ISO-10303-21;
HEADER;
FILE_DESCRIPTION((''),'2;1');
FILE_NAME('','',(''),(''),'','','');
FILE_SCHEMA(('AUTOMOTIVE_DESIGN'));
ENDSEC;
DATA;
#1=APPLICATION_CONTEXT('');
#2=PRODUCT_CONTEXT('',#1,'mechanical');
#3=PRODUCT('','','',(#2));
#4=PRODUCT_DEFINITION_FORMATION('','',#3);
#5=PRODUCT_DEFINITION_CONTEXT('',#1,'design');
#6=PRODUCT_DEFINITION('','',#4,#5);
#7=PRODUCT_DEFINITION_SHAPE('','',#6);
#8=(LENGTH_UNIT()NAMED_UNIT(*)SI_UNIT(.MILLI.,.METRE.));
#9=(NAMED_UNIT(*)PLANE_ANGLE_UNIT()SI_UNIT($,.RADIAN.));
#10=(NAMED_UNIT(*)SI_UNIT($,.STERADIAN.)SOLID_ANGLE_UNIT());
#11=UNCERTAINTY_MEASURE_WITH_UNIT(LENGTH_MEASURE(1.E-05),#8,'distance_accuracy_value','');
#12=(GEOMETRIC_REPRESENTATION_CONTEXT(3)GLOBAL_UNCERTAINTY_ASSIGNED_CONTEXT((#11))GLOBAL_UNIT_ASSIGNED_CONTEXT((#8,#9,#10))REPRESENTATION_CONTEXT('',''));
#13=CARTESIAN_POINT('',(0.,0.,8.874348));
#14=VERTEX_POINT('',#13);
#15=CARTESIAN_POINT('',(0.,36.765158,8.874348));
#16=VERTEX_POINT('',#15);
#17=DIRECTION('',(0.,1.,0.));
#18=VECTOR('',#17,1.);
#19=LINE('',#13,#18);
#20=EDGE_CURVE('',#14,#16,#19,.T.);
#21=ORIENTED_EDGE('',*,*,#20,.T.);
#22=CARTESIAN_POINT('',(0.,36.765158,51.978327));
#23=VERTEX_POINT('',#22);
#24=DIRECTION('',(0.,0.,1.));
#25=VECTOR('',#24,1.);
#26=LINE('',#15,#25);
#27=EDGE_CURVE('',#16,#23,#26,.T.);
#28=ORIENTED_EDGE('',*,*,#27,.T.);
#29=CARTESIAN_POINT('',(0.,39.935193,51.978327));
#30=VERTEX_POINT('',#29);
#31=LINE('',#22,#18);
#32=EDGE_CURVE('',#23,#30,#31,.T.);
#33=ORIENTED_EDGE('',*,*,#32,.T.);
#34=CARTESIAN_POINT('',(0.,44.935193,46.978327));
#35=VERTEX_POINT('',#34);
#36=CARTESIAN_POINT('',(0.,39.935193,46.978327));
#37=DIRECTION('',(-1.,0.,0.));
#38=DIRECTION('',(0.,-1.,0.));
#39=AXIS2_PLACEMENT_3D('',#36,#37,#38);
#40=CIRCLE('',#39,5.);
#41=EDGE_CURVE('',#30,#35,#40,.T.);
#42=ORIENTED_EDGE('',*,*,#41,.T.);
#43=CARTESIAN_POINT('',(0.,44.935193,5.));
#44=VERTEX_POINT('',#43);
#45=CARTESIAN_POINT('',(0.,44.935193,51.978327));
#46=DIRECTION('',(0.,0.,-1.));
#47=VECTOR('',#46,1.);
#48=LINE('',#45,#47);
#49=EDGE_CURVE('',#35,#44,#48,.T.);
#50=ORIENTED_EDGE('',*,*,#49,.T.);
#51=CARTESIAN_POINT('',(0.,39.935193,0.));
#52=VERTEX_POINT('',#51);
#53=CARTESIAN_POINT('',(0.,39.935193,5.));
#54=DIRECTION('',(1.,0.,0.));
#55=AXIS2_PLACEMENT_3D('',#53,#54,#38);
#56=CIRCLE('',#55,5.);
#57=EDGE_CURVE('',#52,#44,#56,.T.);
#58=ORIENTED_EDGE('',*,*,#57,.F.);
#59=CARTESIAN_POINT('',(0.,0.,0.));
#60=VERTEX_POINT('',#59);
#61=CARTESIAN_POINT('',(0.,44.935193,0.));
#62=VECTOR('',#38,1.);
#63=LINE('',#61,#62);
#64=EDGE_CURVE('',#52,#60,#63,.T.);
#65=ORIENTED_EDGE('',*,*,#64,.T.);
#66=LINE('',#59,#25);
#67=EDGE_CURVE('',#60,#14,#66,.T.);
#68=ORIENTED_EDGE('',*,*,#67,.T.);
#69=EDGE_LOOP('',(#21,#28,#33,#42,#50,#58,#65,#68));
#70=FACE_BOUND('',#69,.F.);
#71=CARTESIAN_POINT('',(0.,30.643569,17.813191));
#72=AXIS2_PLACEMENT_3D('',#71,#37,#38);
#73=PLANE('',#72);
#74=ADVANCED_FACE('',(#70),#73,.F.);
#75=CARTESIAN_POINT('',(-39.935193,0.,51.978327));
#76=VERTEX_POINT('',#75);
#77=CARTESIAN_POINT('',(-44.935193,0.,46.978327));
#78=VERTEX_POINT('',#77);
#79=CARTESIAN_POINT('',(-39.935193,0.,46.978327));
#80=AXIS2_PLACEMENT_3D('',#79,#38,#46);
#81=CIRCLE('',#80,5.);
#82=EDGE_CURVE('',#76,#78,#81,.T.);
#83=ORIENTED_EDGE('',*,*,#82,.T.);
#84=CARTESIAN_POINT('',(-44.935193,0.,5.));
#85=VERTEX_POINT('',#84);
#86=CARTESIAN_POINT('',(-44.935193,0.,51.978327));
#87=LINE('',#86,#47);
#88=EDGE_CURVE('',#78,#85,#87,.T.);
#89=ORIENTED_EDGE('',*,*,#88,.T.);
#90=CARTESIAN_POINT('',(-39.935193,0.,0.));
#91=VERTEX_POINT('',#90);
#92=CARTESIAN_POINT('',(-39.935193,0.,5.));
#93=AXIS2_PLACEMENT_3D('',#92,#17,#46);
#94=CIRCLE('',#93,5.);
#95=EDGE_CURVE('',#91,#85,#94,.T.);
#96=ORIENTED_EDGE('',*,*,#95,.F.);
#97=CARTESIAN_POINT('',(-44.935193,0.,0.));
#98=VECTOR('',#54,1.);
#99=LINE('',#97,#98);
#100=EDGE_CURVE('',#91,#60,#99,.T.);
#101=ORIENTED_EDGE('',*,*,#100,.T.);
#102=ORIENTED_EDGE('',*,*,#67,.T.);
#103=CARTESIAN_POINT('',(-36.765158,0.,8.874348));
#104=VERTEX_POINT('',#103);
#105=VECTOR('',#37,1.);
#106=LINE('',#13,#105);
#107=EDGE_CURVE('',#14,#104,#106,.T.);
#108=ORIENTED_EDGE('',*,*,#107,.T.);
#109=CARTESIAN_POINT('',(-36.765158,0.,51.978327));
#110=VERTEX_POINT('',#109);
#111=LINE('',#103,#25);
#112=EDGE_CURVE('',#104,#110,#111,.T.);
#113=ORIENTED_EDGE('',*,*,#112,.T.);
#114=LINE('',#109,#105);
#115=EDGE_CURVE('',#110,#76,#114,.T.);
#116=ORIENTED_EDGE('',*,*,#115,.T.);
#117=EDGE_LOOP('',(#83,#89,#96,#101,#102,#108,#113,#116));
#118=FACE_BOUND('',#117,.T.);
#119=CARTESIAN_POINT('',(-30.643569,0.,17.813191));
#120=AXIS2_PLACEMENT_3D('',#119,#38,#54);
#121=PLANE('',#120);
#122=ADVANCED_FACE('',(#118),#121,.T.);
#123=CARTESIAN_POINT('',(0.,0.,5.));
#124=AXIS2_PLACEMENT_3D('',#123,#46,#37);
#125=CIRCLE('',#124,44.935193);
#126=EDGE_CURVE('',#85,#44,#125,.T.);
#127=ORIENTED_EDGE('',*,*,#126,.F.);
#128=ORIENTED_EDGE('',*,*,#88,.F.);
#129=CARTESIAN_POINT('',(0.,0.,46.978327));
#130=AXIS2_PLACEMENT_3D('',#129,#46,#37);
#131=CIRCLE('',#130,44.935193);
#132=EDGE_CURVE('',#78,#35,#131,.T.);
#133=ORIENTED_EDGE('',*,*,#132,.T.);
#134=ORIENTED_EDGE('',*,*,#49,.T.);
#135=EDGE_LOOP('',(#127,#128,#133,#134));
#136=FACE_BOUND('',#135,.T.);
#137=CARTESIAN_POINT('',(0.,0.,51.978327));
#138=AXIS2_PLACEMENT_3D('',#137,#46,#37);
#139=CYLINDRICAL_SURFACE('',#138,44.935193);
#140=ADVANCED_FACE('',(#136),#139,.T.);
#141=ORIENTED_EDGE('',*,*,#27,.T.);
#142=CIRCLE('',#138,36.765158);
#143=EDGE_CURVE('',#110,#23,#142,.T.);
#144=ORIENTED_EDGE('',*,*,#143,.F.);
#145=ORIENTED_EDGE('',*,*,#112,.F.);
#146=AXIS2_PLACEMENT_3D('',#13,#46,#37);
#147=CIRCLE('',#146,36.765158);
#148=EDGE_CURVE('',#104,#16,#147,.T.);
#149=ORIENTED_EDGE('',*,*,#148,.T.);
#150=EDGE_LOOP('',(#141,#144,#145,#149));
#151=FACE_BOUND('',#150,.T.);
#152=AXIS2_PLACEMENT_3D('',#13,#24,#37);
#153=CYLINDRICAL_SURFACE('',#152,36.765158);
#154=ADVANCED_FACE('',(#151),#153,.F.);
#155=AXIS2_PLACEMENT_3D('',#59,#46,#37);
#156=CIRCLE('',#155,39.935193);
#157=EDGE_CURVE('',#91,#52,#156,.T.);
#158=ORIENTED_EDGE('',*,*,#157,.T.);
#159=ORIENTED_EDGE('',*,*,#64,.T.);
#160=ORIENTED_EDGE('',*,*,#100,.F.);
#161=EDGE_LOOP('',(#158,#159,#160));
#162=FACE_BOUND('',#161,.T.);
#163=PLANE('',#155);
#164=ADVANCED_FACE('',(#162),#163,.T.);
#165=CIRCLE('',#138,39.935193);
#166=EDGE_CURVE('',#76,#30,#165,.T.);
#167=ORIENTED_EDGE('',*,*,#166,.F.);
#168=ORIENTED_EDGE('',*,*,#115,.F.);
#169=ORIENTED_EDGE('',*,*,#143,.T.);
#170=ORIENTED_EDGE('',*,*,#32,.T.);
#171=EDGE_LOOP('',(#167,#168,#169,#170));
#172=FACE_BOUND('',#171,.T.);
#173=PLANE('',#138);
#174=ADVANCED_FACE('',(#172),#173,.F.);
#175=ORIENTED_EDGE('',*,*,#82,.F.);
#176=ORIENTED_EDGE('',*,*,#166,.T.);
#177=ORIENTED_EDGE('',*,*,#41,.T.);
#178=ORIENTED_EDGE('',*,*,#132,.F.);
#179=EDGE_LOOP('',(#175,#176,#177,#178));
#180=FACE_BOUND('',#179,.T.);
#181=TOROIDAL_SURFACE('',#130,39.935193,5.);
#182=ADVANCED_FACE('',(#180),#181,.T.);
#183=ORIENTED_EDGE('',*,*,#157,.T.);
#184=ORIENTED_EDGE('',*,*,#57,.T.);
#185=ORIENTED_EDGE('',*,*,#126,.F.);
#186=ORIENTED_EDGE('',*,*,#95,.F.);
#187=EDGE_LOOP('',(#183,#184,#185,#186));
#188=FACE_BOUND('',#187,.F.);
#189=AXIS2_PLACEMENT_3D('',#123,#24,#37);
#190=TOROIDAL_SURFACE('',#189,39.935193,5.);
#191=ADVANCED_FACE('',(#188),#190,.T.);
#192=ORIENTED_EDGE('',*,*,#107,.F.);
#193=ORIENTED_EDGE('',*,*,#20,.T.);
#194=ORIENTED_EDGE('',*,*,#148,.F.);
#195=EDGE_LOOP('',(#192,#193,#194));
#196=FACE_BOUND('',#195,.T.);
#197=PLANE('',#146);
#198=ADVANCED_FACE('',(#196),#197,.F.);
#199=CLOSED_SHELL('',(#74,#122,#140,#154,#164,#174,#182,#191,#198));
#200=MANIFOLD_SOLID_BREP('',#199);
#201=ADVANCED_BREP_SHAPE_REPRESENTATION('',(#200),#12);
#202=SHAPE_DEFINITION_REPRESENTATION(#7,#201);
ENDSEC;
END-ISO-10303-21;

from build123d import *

# Parameters (mm, degrees)
F1_ANGLE = 90
F2_R     = 5


with BuildPart() as f1:
    # F0 (on Front) → F1 (revolve)
    with BuildSketch(Plane.XZ):
        Polygon((-44.935193, 0), (0, 0), (0, 8.874348), (-36.765158, 8.874348), (-36.765158, 51.978327), (-44.935193, 51.978327), align=None)
    revolve(axis=Axis((0, 0, 4.437174), (0, 0, -1)), revolution_arc=F1_ANGLE)

    # F2
    f2_edges = [f1.edges().sort_by_distance(p)[0] for p in [
        (-31.77398, 31.77398, 51.978327),
        (-31.77398, 31.77398, 0),
    ]]
    fillet(f2_edges, radius=F2_R)


solid = f1.part
